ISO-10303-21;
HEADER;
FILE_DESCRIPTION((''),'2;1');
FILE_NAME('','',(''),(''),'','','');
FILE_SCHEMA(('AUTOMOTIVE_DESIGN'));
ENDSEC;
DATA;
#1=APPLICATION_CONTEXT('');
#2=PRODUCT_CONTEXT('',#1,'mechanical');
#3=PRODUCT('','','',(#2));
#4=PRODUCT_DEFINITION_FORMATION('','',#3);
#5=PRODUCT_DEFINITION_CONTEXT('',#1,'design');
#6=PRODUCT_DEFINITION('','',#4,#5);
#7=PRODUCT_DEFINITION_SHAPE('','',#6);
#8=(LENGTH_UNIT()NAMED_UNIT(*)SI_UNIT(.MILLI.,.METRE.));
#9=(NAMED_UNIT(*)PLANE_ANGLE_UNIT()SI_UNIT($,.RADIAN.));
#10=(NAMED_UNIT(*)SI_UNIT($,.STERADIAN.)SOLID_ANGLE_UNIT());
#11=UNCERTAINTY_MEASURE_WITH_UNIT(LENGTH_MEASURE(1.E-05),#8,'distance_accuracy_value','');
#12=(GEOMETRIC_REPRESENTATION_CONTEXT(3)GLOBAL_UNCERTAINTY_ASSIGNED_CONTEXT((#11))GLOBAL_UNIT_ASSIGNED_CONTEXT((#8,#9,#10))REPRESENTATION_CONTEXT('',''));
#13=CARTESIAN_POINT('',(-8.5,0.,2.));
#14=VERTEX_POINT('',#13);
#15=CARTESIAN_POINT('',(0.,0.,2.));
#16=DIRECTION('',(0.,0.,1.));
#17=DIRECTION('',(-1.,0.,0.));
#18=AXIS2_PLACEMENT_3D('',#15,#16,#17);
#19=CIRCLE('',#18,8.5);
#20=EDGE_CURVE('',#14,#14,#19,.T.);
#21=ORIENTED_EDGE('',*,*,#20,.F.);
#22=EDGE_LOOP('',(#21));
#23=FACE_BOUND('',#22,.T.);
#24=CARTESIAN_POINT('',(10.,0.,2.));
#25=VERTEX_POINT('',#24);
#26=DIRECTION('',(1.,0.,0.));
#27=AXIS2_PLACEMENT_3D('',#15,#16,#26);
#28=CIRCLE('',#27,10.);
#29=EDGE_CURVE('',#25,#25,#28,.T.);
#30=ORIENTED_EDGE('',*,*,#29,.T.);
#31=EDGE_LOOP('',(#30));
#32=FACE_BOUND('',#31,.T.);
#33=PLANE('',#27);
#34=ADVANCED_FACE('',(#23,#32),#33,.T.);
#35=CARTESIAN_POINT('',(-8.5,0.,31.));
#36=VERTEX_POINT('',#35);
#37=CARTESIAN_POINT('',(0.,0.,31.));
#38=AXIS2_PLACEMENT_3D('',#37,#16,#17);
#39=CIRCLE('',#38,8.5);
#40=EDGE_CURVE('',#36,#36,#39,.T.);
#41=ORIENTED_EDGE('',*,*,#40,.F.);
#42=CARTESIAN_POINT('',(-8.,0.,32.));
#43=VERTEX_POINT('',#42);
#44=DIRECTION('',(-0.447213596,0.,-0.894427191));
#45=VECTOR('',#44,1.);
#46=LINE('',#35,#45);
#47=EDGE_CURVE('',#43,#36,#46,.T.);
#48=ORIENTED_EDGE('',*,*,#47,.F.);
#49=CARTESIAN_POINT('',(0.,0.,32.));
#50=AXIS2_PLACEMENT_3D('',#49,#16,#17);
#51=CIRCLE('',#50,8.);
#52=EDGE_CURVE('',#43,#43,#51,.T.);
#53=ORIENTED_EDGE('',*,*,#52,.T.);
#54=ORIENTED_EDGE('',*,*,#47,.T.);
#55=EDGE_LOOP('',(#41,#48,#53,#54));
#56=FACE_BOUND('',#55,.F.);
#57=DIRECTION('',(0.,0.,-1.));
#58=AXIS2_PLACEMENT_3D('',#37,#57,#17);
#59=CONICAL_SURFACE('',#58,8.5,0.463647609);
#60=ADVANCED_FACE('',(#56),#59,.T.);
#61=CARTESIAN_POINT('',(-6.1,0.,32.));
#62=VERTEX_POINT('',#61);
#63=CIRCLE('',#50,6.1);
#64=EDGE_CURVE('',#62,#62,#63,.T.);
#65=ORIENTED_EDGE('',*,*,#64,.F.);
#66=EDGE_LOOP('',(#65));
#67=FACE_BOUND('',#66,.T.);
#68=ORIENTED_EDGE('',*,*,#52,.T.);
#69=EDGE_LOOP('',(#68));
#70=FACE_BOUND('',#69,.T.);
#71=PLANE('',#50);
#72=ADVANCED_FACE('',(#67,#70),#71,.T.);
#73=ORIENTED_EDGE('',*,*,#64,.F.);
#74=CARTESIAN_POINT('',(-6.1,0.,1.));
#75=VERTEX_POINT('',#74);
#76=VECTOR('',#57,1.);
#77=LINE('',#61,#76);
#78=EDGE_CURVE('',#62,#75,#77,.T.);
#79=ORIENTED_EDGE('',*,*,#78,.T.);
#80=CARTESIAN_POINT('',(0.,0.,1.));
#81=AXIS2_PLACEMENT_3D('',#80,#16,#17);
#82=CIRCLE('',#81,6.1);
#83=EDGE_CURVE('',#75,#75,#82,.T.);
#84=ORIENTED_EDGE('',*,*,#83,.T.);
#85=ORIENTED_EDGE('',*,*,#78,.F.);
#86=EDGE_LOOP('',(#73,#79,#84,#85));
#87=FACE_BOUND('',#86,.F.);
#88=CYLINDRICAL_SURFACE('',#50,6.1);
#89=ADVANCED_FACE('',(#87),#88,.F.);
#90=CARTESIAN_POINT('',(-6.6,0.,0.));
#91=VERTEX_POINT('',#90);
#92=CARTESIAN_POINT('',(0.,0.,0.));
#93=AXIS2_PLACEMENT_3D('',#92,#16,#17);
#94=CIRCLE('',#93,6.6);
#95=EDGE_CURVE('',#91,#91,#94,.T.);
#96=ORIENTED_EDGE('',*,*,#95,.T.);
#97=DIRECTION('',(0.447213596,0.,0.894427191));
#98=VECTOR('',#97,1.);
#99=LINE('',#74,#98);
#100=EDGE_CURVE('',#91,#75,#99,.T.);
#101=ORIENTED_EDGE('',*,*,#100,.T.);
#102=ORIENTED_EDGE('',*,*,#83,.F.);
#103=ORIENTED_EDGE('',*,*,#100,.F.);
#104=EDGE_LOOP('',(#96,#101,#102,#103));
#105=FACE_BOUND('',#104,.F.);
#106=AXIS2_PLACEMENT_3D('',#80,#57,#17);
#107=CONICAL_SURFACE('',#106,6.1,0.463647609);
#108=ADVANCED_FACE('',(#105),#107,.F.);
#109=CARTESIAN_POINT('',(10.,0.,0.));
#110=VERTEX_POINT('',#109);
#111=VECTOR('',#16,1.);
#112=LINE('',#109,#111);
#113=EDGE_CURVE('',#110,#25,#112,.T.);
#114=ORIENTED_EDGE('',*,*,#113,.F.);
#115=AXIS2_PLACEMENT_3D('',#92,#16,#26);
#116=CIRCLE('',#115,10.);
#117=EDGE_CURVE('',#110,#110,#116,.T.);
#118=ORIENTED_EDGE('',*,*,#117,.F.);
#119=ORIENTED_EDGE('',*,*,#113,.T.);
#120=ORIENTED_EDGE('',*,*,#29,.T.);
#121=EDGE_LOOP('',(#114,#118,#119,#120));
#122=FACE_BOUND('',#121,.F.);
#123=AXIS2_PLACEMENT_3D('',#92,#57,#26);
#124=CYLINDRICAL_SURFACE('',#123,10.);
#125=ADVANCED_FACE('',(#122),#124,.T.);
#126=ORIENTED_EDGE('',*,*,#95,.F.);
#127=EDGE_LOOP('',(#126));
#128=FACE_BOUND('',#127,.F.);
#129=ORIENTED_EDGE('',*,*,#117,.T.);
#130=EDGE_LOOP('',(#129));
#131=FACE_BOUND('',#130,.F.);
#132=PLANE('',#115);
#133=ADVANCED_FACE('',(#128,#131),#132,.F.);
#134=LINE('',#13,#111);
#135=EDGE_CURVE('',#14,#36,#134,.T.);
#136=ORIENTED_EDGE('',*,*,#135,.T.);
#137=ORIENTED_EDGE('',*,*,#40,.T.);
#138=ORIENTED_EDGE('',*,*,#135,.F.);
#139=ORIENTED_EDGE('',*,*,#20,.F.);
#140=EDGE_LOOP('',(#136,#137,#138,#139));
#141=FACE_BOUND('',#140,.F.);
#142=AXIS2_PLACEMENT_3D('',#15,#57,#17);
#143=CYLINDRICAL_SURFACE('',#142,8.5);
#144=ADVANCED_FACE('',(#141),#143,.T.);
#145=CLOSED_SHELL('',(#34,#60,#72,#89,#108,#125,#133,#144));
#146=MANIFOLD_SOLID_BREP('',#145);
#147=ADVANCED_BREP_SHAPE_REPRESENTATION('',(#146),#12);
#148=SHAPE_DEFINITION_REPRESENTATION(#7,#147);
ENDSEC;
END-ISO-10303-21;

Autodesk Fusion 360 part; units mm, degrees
sketch "Sketch1" plane through (0, 0, 0) normal (0, 0, 1) x (1, 0, 0)
  circle A0 centre (0, 0) radius 10
  dimension "d1" = 20
extrude "Extrude1" add sketch "Sketch1" along normal blind 2
sketch "Sketch2" plane through (0, 0, 2) normal (0, 0, 1) x (-1, 0, 0)
  circle A0 centre (0, 0) radius 10
  circle A1 centre (0, 0) radius 8.5
  dimension "d4" = 17
extrude "Extrude2" add sketch "Sketch2" along normal blind 30 contours A1
sketch "Sketch3" plane through (0, 0, 32) normal (0, 0, 1) x (-1, 0, 0)
  circle A0 centre (0, 0) radius 8.5
  circle A1 centre (0, 0) radius 6.1
  dimension "d7" = 12.2
extrude "Extrude3" cut sketch "Sketch3" against normal blind 60 contours A1
chamfer "Chamfer1" distance 0.5 distance2 1 2 edges at (5.6872, 2.2059, 0) (7.9248, 3.0737, 32) measured on face at (8.6401, -0.7999, 0) measured on face at (-7.6684, 0.4223, 32)
